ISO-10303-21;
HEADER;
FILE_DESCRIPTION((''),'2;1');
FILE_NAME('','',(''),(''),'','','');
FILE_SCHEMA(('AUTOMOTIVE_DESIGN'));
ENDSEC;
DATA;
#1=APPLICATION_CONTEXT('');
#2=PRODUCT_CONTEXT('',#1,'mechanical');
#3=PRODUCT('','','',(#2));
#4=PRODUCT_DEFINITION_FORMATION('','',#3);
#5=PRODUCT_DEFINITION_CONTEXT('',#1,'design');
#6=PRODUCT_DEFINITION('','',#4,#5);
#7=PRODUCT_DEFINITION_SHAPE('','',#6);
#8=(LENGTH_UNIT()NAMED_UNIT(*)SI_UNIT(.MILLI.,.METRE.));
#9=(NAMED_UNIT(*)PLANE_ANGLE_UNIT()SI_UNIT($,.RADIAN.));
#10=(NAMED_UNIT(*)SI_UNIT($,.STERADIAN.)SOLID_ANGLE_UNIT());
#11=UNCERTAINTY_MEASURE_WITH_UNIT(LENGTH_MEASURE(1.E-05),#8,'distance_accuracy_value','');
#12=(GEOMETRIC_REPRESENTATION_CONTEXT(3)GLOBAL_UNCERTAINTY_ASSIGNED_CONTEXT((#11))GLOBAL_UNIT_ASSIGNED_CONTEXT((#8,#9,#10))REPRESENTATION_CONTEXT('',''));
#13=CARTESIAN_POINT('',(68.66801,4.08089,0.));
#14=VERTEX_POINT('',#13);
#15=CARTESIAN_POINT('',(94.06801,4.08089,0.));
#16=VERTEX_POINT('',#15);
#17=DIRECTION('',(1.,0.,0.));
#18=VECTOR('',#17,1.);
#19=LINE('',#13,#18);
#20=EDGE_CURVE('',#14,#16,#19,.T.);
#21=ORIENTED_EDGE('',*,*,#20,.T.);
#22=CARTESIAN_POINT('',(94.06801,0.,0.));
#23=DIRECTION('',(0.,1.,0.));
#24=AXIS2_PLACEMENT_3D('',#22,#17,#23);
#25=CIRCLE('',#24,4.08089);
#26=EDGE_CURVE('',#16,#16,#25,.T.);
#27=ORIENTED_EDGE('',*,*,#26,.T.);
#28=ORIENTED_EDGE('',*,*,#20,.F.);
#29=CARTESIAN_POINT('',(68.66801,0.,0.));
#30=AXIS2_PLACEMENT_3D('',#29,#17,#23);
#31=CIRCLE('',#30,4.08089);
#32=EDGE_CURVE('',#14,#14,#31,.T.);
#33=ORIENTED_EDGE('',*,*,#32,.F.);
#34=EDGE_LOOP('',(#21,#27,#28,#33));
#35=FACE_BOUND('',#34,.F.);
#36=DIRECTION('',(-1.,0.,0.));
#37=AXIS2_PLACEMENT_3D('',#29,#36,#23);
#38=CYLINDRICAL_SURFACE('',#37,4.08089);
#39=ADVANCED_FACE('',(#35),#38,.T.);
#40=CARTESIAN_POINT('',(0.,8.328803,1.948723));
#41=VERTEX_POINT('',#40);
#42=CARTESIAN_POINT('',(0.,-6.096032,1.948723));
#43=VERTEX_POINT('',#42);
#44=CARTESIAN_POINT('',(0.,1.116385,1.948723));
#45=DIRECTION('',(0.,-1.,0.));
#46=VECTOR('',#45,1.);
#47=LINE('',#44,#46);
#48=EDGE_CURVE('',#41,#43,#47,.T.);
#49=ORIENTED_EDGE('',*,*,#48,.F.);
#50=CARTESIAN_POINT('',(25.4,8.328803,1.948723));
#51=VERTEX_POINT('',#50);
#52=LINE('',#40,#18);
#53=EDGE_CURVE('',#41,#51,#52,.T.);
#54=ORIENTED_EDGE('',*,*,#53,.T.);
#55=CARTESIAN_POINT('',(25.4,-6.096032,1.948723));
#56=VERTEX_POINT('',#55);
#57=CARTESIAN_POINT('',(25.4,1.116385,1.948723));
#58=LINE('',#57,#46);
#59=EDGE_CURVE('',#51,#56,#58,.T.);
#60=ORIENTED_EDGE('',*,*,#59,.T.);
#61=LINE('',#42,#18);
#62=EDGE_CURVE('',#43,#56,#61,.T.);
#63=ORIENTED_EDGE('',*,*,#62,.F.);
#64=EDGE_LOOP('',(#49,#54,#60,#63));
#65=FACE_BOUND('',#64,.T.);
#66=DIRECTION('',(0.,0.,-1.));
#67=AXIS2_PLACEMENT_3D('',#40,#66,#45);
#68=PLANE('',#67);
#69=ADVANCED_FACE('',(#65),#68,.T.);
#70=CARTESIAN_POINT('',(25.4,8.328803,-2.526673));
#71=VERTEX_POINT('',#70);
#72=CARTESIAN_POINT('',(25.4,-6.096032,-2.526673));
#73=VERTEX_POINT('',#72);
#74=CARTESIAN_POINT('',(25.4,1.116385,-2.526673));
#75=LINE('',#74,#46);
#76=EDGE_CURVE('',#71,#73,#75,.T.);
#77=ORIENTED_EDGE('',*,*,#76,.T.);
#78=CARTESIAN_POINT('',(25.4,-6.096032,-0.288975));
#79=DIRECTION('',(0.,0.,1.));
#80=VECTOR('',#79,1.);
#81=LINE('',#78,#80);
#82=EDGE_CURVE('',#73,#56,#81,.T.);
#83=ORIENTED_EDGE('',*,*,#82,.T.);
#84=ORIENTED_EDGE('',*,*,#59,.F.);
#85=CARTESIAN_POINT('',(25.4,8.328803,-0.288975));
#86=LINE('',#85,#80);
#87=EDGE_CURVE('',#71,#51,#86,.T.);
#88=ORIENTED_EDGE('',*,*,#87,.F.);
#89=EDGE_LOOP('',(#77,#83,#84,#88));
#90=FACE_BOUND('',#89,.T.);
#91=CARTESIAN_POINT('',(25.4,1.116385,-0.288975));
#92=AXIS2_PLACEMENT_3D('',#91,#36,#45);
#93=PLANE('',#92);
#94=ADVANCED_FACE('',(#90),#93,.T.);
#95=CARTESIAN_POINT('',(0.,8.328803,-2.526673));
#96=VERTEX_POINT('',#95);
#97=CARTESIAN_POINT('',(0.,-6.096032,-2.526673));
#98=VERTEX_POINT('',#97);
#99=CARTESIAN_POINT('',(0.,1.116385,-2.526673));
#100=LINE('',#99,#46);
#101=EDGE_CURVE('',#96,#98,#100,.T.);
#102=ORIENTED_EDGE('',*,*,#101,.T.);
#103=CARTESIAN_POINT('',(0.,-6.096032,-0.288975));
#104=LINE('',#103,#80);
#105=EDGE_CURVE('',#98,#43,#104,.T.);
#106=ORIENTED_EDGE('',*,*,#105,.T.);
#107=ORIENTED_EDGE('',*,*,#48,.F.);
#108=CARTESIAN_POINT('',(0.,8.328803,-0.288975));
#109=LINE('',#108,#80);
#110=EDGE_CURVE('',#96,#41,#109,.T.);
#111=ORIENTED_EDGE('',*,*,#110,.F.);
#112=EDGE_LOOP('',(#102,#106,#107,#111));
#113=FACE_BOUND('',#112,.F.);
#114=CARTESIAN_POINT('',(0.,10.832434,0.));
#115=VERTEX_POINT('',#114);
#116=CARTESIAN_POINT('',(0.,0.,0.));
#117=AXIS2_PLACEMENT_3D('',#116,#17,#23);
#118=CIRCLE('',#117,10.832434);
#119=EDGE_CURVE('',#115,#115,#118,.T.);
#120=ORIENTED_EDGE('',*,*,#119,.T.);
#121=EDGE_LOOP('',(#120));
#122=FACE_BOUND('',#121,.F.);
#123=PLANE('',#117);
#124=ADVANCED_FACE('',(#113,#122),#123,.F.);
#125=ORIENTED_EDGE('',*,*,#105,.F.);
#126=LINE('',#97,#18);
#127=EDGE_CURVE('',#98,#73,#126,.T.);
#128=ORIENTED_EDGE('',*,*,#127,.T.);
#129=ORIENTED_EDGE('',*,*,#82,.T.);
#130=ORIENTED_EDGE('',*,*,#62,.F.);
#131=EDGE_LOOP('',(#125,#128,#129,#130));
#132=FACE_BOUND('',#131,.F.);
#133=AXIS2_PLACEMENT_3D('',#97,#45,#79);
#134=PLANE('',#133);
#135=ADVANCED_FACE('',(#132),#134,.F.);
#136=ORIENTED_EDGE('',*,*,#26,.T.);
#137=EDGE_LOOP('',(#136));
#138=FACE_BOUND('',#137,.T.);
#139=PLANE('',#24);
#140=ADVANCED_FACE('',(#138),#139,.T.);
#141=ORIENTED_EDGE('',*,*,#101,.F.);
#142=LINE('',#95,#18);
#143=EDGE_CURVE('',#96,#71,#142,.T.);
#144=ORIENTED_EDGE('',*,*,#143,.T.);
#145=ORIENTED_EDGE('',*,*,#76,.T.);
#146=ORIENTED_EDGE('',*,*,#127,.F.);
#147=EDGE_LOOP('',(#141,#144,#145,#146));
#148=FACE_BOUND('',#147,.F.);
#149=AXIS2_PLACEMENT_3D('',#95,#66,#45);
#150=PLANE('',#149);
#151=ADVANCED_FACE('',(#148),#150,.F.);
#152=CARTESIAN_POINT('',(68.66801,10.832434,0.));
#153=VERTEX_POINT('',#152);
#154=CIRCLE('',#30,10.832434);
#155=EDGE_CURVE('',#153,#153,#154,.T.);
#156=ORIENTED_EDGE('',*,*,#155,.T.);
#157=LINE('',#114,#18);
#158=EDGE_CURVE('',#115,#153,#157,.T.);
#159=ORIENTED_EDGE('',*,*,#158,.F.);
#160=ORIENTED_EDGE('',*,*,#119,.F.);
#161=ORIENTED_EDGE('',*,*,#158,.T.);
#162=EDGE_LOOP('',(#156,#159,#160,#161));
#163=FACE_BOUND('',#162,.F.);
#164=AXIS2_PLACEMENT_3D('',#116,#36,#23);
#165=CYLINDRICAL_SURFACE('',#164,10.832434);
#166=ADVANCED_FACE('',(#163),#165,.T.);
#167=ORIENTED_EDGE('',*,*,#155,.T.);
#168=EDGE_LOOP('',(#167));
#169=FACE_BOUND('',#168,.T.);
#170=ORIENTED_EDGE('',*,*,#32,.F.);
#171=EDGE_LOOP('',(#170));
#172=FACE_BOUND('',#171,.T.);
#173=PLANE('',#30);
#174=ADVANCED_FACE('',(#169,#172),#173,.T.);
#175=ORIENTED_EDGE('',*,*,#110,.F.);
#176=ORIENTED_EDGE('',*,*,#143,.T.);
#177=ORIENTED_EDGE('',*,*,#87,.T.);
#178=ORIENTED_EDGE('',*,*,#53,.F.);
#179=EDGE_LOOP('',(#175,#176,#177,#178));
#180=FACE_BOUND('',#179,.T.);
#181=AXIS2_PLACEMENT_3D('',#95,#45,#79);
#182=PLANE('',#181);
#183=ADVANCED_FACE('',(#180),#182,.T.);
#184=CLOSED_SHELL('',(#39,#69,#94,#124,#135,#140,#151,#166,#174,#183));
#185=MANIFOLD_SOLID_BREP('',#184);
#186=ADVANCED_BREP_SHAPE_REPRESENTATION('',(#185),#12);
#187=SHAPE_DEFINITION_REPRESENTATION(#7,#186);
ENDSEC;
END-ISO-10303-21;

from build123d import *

# Parameters (mm, degrees)
F0_R     = 10.832434
F1_DEPTH = 68.66801
F2_R     = 4.08089
F3_DEPTH = 25.4
F4_W     = 14.424835
F4_H     = 4.475396
F5_DEPTH = 25.4


with BuildPart() as f1:
    # F0 (on Right) → F1 (new body)
    with BuildSketch(Plane.YZ):
        Circle(F0_R)
    extrude(amount=F1_DEPTH)

    # F2 (on face) → F3 (join)
    with BuildSketch(Plane.YZ.offset(68.66801)):
        Circle(F2_R)
    extrude(amount=F3_DEPTH)

    # F4 (on face) → F5 (cut)
    with BuildSketch(Plane(origin=(0, 0, 0), x_dir=(0, -1, 0), z_dir=(-1, 0, 0))):
        with Locations((-1.116385, -0.288975)):
            Rectangle(F4_W, F4_H)
    extrude(amount=-F5_DEPTH, mode=Mode.SUBTRACT)


solid = f1.part
